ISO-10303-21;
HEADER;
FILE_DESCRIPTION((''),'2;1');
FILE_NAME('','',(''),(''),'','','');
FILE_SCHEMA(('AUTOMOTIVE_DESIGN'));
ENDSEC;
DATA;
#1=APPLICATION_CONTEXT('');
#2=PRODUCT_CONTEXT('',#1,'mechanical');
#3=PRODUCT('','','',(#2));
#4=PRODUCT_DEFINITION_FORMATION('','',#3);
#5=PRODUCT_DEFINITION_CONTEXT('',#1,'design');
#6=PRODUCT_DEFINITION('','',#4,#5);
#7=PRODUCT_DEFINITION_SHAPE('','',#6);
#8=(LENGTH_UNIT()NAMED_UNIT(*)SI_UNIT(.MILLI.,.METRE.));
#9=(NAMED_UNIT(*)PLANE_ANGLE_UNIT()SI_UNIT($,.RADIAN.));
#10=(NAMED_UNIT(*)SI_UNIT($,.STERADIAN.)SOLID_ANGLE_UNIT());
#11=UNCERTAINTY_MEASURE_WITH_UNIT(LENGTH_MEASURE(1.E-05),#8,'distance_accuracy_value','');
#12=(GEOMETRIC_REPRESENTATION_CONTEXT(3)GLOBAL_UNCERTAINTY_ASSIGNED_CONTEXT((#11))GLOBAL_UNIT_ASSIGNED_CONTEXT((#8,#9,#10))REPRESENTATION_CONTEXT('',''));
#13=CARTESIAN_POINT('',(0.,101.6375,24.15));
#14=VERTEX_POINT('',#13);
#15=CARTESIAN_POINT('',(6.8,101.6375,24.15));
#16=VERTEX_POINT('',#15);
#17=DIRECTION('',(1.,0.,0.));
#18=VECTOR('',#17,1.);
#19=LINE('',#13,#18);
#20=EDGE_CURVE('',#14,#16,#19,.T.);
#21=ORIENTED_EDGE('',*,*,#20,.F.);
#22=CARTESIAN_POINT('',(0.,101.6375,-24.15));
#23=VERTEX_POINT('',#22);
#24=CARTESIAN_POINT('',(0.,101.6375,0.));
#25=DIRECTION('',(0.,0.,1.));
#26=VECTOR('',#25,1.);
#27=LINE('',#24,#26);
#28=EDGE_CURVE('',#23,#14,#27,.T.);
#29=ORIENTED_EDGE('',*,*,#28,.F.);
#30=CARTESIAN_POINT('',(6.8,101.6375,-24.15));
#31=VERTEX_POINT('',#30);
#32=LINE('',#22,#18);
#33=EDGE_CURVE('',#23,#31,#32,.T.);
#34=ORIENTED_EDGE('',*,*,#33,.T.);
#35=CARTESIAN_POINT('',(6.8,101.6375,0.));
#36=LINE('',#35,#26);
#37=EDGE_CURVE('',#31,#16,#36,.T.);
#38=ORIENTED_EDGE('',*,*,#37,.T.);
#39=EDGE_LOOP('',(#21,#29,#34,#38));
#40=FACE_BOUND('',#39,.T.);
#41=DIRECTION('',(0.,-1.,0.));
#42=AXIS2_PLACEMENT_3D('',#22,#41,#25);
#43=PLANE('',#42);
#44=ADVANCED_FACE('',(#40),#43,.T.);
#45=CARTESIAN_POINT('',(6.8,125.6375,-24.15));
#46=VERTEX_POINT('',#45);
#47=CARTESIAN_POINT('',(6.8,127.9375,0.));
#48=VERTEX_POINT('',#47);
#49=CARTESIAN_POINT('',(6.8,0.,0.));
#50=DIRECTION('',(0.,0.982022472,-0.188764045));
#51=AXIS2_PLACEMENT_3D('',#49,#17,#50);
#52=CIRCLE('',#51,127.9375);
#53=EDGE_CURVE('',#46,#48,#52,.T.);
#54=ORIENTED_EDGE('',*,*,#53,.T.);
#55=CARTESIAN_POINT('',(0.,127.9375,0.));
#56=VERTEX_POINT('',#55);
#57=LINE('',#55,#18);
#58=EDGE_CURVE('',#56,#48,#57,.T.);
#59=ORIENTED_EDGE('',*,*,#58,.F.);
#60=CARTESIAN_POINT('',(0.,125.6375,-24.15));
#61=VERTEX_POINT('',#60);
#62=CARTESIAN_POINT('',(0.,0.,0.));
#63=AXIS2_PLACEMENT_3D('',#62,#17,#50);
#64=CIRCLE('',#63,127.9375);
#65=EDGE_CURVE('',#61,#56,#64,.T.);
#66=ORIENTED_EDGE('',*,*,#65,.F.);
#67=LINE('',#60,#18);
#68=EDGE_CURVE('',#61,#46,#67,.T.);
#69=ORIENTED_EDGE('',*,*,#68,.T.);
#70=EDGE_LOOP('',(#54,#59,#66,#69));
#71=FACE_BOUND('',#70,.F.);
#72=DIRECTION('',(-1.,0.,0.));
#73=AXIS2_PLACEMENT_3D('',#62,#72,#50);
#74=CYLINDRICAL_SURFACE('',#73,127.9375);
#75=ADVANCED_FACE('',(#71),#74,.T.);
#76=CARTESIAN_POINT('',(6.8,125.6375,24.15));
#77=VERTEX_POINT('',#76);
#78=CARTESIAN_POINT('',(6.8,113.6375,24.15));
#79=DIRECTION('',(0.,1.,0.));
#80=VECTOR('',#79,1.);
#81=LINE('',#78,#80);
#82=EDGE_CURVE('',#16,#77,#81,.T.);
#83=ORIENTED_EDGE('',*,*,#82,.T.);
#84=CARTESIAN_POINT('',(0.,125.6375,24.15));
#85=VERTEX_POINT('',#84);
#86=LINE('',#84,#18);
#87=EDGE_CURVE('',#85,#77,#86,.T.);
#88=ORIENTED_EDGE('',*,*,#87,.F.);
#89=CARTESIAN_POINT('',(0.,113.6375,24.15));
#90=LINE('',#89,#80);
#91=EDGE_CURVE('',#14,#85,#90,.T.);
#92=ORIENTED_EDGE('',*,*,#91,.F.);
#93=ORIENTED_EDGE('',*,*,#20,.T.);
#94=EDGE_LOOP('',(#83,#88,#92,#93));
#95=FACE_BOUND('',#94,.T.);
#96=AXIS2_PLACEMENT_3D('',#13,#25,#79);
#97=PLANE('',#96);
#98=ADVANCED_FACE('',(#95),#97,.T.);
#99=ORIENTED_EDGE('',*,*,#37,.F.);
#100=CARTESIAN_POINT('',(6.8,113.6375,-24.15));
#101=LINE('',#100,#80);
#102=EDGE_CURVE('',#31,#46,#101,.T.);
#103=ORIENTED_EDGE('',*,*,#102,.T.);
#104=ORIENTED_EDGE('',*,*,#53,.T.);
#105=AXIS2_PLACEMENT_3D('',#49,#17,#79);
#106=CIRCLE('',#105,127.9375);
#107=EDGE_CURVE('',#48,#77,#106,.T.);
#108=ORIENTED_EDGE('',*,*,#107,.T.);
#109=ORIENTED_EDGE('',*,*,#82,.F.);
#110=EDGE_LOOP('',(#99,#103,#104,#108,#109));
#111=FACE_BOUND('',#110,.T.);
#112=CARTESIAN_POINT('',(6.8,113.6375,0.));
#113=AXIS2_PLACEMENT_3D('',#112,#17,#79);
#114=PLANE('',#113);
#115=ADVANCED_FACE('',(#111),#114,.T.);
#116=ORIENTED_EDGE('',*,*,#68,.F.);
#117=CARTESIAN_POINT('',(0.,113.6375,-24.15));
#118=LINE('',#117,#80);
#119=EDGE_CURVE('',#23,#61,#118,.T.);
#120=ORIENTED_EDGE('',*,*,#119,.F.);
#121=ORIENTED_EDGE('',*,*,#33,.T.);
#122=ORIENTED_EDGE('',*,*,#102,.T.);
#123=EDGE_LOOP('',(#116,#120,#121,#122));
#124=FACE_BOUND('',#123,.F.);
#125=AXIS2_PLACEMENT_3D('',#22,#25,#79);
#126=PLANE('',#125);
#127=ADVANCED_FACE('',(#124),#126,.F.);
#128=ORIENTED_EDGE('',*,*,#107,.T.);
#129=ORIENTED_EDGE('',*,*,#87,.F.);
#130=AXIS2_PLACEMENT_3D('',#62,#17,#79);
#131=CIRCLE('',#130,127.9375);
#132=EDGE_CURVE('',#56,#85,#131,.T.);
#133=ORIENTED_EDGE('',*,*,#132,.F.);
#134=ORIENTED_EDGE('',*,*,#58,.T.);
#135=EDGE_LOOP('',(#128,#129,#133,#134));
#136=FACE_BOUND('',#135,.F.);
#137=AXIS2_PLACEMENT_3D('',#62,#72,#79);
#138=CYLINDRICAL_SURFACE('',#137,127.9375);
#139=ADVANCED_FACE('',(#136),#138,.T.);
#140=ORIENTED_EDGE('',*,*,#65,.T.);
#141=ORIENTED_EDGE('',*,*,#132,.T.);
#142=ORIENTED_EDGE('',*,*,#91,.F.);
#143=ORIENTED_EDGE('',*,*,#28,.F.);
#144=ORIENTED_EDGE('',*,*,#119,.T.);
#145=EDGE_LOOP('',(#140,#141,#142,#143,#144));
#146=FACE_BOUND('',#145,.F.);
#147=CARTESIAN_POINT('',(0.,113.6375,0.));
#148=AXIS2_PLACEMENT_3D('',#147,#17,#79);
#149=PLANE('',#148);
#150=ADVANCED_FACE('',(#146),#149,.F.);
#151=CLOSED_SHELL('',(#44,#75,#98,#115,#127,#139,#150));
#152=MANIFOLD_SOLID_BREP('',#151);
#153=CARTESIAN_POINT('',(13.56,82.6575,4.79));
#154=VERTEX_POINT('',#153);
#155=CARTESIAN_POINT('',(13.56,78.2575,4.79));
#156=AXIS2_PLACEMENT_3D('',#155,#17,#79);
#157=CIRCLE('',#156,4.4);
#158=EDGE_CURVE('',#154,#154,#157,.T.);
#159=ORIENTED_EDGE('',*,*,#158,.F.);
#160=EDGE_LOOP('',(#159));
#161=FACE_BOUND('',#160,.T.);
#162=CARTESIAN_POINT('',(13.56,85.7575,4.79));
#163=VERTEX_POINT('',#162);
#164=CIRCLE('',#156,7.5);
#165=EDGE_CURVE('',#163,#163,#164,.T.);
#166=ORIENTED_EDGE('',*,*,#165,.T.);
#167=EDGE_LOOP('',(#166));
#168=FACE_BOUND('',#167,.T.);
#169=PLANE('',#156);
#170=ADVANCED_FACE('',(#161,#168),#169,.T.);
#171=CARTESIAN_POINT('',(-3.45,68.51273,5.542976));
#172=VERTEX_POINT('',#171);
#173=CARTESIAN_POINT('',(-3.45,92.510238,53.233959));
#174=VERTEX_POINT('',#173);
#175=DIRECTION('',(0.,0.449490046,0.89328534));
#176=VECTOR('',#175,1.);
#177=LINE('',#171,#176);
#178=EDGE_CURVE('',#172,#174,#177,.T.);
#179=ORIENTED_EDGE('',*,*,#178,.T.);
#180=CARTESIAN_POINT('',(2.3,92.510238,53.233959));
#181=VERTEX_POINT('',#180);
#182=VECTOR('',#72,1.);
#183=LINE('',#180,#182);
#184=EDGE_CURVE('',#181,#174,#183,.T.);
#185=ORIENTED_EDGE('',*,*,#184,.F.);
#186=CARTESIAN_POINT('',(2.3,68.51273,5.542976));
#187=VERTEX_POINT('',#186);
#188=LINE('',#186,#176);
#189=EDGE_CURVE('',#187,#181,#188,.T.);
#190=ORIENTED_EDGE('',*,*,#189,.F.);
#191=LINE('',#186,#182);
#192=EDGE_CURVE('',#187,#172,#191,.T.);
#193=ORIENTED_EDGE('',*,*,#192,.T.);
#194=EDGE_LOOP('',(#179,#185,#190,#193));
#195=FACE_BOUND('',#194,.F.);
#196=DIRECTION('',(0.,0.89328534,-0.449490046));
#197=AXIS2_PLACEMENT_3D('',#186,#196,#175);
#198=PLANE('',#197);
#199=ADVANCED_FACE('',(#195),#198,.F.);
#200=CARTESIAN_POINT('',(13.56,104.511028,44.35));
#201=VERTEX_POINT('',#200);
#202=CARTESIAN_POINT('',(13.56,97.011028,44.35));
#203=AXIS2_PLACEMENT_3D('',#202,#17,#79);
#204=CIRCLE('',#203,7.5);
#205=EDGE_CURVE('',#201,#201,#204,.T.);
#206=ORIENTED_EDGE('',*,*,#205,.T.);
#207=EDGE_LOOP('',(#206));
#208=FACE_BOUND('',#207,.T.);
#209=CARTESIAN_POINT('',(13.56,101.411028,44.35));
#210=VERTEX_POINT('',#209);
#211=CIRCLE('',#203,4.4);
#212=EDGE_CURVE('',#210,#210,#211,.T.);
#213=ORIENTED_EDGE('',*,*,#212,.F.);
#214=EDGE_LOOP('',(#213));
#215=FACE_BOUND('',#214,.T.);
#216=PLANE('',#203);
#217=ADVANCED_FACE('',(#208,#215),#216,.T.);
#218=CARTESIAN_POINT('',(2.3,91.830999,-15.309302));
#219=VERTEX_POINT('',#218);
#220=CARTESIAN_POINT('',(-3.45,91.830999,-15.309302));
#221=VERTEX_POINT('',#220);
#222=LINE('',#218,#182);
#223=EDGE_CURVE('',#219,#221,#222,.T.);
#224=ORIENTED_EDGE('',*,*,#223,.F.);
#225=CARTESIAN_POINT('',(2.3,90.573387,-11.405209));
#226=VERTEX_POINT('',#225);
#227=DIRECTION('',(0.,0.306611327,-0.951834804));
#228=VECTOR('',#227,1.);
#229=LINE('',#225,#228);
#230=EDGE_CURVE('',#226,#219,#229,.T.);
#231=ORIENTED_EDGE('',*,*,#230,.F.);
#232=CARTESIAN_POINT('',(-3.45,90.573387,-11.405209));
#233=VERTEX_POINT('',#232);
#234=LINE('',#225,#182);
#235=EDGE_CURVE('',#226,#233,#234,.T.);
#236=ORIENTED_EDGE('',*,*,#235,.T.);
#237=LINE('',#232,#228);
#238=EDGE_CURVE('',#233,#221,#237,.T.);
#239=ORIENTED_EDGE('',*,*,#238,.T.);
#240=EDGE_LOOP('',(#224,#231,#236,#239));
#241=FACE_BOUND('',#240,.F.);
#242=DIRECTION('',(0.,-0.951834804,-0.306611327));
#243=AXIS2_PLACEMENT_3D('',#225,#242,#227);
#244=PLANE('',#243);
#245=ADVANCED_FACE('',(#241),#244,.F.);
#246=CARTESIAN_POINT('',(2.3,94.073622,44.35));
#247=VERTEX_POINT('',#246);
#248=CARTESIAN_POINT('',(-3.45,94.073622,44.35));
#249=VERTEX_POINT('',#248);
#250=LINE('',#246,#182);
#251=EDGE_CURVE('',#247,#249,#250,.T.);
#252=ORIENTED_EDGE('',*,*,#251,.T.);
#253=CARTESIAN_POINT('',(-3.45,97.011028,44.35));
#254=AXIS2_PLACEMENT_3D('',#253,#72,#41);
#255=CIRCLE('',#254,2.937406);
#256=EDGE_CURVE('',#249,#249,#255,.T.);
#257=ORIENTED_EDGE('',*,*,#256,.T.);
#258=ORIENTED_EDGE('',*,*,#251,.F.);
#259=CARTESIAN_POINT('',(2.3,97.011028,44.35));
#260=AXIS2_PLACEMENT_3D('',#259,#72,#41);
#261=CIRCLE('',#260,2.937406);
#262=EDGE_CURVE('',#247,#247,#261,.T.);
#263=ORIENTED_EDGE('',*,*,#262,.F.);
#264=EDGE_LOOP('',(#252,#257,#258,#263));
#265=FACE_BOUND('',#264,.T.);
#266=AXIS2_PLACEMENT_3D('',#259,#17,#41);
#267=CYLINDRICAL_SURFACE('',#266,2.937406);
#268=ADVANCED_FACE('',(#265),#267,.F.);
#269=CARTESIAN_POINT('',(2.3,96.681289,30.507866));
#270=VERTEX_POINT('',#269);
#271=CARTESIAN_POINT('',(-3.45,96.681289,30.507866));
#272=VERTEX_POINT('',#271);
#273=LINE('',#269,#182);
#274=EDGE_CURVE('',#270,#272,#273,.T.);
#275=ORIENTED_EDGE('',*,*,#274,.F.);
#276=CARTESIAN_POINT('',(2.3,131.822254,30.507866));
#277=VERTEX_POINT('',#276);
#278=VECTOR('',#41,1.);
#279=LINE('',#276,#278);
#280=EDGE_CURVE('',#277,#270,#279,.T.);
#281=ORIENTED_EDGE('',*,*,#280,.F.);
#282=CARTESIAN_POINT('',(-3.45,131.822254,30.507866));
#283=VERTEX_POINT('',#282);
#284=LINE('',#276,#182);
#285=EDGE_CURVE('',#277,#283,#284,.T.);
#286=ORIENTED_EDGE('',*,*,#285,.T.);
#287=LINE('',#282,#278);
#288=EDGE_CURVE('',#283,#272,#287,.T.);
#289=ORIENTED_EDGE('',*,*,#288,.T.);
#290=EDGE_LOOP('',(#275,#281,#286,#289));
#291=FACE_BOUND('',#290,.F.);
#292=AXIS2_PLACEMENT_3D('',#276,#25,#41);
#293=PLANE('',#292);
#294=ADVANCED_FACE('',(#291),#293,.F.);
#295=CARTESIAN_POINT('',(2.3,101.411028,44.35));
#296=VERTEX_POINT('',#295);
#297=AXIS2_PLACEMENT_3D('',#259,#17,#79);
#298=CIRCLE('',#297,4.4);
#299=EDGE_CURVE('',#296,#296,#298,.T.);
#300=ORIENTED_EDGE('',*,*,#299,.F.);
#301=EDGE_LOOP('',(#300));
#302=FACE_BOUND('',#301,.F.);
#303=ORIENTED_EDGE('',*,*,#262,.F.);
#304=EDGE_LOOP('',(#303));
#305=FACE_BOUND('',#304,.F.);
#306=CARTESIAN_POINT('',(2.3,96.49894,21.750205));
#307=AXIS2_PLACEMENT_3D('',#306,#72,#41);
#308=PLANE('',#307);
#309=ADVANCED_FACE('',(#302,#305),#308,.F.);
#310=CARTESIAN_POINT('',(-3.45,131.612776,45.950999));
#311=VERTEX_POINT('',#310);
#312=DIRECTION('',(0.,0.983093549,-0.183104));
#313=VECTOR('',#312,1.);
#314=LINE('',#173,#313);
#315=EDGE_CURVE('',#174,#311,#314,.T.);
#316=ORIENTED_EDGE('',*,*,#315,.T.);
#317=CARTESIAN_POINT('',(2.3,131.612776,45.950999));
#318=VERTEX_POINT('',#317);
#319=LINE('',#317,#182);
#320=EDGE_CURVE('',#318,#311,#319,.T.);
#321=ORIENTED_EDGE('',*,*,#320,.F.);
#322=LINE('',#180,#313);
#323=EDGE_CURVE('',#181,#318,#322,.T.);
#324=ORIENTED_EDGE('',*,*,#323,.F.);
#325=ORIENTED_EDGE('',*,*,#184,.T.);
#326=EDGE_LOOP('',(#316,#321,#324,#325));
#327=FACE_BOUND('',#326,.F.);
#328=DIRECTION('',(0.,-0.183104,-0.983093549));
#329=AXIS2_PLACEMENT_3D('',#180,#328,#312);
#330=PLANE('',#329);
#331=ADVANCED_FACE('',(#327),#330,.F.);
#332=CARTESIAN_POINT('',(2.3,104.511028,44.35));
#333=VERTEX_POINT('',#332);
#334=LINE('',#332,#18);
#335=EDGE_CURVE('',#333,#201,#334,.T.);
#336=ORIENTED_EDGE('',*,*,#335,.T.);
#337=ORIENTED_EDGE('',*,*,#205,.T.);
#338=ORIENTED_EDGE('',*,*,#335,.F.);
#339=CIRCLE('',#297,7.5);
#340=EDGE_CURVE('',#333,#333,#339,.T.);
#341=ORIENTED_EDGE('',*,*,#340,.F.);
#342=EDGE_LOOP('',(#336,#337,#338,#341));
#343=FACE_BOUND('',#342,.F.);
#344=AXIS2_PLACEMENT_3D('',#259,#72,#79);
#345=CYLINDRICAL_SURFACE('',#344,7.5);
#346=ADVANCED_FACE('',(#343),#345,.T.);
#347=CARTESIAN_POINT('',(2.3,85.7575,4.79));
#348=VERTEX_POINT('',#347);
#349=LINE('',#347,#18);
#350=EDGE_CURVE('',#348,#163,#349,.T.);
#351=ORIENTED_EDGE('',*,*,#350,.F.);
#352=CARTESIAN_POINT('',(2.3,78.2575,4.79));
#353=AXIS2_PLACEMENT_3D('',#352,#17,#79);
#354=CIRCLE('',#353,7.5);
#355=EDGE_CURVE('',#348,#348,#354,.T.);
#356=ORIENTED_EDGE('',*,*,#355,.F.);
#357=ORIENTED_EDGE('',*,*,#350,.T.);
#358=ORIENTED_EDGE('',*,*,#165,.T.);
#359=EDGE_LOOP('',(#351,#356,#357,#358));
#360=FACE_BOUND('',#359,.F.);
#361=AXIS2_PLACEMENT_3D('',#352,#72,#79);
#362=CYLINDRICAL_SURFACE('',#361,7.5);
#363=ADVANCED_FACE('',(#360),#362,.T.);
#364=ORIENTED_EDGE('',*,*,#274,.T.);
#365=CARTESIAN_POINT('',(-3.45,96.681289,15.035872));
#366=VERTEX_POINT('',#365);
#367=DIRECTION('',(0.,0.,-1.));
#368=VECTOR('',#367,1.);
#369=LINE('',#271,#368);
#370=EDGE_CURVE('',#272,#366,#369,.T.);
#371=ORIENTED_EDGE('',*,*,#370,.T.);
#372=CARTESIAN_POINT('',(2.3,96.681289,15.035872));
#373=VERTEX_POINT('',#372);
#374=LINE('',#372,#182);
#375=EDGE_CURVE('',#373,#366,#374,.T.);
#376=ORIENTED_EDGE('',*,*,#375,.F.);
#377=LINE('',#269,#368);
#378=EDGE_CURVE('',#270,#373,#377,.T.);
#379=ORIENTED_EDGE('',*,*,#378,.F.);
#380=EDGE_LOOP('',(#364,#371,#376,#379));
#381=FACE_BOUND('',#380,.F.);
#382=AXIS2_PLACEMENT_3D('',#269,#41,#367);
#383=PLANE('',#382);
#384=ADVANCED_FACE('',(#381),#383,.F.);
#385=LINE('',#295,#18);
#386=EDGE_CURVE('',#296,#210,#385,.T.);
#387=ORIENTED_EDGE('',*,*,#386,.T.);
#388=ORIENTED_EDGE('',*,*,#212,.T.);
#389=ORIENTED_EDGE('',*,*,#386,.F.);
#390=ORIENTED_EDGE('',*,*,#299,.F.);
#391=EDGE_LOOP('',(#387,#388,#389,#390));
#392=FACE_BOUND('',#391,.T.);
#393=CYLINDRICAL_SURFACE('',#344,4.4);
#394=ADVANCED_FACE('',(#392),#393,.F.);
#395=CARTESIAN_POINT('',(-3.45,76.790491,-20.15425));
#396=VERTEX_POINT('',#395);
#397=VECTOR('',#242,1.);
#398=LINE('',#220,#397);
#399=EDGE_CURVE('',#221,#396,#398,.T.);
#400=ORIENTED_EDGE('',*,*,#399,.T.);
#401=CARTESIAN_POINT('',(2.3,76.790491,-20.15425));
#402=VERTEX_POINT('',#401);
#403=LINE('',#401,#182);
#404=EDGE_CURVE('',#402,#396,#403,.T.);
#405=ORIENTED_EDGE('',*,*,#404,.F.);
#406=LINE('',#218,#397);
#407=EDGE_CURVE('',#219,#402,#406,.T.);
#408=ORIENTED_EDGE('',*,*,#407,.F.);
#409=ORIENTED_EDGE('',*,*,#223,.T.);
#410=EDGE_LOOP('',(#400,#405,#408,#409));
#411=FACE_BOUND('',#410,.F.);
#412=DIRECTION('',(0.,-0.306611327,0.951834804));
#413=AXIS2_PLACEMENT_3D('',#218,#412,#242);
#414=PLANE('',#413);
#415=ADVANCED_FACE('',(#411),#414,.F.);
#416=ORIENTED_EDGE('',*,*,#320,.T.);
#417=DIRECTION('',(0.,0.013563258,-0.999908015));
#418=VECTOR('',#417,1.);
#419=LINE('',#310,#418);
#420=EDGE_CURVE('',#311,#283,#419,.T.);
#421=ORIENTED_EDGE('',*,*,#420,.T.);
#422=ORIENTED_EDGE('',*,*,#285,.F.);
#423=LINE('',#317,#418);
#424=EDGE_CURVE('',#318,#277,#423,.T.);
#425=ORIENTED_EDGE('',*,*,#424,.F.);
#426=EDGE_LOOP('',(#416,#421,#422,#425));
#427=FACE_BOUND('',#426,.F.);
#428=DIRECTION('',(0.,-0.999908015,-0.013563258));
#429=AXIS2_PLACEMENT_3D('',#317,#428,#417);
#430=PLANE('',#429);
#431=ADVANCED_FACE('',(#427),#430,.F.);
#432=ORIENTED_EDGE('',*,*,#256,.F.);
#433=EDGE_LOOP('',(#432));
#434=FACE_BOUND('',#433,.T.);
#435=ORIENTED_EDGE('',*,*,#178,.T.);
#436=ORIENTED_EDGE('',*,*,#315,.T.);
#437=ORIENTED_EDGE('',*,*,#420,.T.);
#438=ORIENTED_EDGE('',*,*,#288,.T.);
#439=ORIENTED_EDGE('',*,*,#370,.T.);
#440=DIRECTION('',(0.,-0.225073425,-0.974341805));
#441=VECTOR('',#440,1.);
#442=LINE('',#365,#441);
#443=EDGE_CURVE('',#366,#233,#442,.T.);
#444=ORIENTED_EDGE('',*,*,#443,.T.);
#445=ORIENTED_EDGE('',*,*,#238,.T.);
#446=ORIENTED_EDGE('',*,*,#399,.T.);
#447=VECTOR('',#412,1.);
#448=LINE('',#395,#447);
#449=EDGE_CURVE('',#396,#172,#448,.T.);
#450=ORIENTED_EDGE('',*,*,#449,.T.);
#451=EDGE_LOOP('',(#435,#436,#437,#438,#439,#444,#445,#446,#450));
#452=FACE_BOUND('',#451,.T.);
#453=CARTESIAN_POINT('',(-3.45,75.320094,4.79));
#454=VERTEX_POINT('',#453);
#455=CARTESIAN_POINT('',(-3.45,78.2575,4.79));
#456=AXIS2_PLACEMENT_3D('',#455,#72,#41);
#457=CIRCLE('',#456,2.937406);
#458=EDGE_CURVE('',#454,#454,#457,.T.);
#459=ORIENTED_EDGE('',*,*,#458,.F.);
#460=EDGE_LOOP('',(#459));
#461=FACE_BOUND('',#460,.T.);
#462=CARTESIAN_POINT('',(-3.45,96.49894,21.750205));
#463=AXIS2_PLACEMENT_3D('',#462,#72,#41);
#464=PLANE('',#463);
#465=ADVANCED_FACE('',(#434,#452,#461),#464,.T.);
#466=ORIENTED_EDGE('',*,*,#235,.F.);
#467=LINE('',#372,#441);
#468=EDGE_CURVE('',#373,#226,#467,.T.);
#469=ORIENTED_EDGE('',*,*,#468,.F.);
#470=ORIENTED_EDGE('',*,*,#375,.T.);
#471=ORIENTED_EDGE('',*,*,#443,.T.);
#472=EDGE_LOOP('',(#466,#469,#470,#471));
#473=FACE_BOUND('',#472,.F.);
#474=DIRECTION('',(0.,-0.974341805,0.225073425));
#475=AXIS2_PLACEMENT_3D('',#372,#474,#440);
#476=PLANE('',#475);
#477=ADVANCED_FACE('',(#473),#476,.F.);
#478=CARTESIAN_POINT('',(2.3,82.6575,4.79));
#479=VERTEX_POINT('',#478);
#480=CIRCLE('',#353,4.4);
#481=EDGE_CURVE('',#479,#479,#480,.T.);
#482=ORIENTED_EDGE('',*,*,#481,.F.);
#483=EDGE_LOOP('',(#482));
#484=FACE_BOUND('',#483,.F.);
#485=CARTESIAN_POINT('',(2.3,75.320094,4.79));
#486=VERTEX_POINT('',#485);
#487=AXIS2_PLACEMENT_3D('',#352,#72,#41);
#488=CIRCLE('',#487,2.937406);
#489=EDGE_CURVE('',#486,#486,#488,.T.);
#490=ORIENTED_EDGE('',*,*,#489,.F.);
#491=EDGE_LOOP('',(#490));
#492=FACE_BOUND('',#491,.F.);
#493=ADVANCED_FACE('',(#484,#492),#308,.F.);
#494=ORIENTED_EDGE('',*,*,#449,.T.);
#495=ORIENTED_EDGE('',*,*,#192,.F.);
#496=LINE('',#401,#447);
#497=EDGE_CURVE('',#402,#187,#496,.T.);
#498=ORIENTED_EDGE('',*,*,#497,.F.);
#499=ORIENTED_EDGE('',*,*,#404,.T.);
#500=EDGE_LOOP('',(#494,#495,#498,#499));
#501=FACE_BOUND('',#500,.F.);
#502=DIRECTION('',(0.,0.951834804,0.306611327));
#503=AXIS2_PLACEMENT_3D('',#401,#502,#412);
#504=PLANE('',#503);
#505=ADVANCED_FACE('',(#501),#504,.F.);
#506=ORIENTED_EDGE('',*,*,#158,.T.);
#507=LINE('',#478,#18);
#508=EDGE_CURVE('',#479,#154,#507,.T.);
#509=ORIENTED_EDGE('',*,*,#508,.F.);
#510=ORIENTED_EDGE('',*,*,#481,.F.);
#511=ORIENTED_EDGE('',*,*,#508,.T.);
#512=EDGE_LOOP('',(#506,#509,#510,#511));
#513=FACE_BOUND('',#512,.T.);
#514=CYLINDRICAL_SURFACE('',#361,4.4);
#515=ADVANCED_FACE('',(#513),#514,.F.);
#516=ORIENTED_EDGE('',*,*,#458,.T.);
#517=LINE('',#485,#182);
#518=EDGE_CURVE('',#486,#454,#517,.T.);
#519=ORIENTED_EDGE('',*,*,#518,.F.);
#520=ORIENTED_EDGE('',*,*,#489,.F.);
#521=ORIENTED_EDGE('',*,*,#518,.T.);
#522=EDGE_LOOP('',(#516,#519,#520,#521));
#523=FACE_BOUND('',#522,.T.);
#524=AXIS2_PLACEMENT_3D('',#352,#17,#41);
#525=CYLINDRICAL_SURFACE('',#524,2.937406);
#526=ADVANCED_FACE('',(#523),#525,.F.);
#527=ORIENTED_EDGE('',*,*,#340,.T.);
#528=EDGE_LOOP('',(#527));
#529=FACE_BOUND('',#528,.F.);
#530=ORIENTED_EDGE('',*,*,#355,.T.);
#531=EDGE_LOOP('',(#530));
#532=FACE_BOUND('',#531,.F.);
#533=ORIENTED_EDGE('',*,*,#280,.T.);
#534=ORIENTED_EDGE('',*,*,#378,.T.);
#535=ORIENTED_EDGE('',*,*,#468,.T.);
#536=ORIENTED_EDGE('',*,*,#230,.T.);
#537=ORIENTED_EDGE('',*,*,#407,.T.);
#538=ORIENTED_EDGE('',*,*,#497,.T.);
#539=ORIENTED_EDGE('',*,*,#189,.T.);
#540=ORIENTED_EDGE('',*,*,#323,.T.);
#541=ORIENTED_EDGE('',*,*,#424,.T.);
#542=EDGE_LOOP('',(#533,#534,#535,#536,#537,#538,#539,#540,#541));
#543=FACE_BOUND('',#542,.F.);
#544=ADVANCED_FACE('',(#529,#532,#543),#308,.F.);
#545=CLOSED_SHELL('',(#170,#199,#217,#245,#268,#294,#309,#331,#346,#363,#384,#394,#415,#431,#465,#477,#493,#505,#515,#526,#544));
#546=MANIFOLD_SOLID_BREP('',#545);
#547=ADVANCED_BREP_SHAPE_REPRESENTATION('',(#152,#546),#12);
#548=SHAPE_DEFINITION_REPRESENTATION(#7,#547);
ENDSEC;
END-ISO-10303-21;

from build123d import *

# Parameters (mm, degrees)
F0_W     = 24
F0_H     = 48.3
F1_DEPTH = 6.8
F3_R     = 2.9374057491
F4_DEPTH = 5.75
F5_R     = 7.5
F5_R_2   = 4.4
F6_DEPTH = 11.26


with BuildPart() as f1:
    # F0 (on Right) → F1 (new body)
    with BuildSketch(Plane.YZ):
        with Locations((113.6375, 0)):
            Rectangle(F0_W, F0_H)
        with BuildLine():
            ThreePointArc((127.9375, 0), (127.361202025, 12.1296382881), (125.6375, 24.15))
            Line((125.6375, 24.15), (125.6375, -24.15))
            ThreePointArc((125.6375, -24.15), (127.361202025, -12.1296382881), (127.9375, 0))
        make_face()
    extrude(amount=F1_DEPTH)


with BuildPart() as f4:
    # F3 (on offset) → F4 (new body)
    with BuildSketch(Plane(origin=(2.3, 0, 0), x_dir=(0, -1, 0), z_dir=(-1, 0, 0))):
        Polygon((-92.5102382898, 53.2339587808), (-131.6127759424, 45.9509987215), (-131.8222544034, 30.5078662932), (-96.6812893748, 30.5078662932), (-96.6812893748, 15.0358723477), (-90.5733868189, -11.4052092781), (-91.8309989827, -15.3093019296), (-76.790490761, -20.1542499825), (-68.5127303004, 5.5429758504), align=None)
        with Locations((-78.2575, 4.79)):
            Circle(F3_R, mode=Mode.SUBTRACT)
        with Locations((-97.0110276681, 44.35)):
            Circle(F3_R, mode=Mode.SUBTRACT)
    extrude(amount=F4_DEPTH)

    # F5 (on face) → F6 (join)
    with BuildSketch(Plane.YZ.offset(2.3)):
        with Locations((97.0110276681, 44.35)):
            Circle(F5_R)
        with Locations((97.0110276681, 44.35)):
            Circle(F5_R_2, mode=Mode.SUBTRACT)
        with Locations((78.2575, 4.79)):
            Circle(F5_R)
        with Locations((78.2575, 4.79)):
            Circle(F5_R_2, mode=Mode.SUBTRACT)
    extrude(amount=F6_DEPTH)


solid = Compound([f1.part, f4.part])
